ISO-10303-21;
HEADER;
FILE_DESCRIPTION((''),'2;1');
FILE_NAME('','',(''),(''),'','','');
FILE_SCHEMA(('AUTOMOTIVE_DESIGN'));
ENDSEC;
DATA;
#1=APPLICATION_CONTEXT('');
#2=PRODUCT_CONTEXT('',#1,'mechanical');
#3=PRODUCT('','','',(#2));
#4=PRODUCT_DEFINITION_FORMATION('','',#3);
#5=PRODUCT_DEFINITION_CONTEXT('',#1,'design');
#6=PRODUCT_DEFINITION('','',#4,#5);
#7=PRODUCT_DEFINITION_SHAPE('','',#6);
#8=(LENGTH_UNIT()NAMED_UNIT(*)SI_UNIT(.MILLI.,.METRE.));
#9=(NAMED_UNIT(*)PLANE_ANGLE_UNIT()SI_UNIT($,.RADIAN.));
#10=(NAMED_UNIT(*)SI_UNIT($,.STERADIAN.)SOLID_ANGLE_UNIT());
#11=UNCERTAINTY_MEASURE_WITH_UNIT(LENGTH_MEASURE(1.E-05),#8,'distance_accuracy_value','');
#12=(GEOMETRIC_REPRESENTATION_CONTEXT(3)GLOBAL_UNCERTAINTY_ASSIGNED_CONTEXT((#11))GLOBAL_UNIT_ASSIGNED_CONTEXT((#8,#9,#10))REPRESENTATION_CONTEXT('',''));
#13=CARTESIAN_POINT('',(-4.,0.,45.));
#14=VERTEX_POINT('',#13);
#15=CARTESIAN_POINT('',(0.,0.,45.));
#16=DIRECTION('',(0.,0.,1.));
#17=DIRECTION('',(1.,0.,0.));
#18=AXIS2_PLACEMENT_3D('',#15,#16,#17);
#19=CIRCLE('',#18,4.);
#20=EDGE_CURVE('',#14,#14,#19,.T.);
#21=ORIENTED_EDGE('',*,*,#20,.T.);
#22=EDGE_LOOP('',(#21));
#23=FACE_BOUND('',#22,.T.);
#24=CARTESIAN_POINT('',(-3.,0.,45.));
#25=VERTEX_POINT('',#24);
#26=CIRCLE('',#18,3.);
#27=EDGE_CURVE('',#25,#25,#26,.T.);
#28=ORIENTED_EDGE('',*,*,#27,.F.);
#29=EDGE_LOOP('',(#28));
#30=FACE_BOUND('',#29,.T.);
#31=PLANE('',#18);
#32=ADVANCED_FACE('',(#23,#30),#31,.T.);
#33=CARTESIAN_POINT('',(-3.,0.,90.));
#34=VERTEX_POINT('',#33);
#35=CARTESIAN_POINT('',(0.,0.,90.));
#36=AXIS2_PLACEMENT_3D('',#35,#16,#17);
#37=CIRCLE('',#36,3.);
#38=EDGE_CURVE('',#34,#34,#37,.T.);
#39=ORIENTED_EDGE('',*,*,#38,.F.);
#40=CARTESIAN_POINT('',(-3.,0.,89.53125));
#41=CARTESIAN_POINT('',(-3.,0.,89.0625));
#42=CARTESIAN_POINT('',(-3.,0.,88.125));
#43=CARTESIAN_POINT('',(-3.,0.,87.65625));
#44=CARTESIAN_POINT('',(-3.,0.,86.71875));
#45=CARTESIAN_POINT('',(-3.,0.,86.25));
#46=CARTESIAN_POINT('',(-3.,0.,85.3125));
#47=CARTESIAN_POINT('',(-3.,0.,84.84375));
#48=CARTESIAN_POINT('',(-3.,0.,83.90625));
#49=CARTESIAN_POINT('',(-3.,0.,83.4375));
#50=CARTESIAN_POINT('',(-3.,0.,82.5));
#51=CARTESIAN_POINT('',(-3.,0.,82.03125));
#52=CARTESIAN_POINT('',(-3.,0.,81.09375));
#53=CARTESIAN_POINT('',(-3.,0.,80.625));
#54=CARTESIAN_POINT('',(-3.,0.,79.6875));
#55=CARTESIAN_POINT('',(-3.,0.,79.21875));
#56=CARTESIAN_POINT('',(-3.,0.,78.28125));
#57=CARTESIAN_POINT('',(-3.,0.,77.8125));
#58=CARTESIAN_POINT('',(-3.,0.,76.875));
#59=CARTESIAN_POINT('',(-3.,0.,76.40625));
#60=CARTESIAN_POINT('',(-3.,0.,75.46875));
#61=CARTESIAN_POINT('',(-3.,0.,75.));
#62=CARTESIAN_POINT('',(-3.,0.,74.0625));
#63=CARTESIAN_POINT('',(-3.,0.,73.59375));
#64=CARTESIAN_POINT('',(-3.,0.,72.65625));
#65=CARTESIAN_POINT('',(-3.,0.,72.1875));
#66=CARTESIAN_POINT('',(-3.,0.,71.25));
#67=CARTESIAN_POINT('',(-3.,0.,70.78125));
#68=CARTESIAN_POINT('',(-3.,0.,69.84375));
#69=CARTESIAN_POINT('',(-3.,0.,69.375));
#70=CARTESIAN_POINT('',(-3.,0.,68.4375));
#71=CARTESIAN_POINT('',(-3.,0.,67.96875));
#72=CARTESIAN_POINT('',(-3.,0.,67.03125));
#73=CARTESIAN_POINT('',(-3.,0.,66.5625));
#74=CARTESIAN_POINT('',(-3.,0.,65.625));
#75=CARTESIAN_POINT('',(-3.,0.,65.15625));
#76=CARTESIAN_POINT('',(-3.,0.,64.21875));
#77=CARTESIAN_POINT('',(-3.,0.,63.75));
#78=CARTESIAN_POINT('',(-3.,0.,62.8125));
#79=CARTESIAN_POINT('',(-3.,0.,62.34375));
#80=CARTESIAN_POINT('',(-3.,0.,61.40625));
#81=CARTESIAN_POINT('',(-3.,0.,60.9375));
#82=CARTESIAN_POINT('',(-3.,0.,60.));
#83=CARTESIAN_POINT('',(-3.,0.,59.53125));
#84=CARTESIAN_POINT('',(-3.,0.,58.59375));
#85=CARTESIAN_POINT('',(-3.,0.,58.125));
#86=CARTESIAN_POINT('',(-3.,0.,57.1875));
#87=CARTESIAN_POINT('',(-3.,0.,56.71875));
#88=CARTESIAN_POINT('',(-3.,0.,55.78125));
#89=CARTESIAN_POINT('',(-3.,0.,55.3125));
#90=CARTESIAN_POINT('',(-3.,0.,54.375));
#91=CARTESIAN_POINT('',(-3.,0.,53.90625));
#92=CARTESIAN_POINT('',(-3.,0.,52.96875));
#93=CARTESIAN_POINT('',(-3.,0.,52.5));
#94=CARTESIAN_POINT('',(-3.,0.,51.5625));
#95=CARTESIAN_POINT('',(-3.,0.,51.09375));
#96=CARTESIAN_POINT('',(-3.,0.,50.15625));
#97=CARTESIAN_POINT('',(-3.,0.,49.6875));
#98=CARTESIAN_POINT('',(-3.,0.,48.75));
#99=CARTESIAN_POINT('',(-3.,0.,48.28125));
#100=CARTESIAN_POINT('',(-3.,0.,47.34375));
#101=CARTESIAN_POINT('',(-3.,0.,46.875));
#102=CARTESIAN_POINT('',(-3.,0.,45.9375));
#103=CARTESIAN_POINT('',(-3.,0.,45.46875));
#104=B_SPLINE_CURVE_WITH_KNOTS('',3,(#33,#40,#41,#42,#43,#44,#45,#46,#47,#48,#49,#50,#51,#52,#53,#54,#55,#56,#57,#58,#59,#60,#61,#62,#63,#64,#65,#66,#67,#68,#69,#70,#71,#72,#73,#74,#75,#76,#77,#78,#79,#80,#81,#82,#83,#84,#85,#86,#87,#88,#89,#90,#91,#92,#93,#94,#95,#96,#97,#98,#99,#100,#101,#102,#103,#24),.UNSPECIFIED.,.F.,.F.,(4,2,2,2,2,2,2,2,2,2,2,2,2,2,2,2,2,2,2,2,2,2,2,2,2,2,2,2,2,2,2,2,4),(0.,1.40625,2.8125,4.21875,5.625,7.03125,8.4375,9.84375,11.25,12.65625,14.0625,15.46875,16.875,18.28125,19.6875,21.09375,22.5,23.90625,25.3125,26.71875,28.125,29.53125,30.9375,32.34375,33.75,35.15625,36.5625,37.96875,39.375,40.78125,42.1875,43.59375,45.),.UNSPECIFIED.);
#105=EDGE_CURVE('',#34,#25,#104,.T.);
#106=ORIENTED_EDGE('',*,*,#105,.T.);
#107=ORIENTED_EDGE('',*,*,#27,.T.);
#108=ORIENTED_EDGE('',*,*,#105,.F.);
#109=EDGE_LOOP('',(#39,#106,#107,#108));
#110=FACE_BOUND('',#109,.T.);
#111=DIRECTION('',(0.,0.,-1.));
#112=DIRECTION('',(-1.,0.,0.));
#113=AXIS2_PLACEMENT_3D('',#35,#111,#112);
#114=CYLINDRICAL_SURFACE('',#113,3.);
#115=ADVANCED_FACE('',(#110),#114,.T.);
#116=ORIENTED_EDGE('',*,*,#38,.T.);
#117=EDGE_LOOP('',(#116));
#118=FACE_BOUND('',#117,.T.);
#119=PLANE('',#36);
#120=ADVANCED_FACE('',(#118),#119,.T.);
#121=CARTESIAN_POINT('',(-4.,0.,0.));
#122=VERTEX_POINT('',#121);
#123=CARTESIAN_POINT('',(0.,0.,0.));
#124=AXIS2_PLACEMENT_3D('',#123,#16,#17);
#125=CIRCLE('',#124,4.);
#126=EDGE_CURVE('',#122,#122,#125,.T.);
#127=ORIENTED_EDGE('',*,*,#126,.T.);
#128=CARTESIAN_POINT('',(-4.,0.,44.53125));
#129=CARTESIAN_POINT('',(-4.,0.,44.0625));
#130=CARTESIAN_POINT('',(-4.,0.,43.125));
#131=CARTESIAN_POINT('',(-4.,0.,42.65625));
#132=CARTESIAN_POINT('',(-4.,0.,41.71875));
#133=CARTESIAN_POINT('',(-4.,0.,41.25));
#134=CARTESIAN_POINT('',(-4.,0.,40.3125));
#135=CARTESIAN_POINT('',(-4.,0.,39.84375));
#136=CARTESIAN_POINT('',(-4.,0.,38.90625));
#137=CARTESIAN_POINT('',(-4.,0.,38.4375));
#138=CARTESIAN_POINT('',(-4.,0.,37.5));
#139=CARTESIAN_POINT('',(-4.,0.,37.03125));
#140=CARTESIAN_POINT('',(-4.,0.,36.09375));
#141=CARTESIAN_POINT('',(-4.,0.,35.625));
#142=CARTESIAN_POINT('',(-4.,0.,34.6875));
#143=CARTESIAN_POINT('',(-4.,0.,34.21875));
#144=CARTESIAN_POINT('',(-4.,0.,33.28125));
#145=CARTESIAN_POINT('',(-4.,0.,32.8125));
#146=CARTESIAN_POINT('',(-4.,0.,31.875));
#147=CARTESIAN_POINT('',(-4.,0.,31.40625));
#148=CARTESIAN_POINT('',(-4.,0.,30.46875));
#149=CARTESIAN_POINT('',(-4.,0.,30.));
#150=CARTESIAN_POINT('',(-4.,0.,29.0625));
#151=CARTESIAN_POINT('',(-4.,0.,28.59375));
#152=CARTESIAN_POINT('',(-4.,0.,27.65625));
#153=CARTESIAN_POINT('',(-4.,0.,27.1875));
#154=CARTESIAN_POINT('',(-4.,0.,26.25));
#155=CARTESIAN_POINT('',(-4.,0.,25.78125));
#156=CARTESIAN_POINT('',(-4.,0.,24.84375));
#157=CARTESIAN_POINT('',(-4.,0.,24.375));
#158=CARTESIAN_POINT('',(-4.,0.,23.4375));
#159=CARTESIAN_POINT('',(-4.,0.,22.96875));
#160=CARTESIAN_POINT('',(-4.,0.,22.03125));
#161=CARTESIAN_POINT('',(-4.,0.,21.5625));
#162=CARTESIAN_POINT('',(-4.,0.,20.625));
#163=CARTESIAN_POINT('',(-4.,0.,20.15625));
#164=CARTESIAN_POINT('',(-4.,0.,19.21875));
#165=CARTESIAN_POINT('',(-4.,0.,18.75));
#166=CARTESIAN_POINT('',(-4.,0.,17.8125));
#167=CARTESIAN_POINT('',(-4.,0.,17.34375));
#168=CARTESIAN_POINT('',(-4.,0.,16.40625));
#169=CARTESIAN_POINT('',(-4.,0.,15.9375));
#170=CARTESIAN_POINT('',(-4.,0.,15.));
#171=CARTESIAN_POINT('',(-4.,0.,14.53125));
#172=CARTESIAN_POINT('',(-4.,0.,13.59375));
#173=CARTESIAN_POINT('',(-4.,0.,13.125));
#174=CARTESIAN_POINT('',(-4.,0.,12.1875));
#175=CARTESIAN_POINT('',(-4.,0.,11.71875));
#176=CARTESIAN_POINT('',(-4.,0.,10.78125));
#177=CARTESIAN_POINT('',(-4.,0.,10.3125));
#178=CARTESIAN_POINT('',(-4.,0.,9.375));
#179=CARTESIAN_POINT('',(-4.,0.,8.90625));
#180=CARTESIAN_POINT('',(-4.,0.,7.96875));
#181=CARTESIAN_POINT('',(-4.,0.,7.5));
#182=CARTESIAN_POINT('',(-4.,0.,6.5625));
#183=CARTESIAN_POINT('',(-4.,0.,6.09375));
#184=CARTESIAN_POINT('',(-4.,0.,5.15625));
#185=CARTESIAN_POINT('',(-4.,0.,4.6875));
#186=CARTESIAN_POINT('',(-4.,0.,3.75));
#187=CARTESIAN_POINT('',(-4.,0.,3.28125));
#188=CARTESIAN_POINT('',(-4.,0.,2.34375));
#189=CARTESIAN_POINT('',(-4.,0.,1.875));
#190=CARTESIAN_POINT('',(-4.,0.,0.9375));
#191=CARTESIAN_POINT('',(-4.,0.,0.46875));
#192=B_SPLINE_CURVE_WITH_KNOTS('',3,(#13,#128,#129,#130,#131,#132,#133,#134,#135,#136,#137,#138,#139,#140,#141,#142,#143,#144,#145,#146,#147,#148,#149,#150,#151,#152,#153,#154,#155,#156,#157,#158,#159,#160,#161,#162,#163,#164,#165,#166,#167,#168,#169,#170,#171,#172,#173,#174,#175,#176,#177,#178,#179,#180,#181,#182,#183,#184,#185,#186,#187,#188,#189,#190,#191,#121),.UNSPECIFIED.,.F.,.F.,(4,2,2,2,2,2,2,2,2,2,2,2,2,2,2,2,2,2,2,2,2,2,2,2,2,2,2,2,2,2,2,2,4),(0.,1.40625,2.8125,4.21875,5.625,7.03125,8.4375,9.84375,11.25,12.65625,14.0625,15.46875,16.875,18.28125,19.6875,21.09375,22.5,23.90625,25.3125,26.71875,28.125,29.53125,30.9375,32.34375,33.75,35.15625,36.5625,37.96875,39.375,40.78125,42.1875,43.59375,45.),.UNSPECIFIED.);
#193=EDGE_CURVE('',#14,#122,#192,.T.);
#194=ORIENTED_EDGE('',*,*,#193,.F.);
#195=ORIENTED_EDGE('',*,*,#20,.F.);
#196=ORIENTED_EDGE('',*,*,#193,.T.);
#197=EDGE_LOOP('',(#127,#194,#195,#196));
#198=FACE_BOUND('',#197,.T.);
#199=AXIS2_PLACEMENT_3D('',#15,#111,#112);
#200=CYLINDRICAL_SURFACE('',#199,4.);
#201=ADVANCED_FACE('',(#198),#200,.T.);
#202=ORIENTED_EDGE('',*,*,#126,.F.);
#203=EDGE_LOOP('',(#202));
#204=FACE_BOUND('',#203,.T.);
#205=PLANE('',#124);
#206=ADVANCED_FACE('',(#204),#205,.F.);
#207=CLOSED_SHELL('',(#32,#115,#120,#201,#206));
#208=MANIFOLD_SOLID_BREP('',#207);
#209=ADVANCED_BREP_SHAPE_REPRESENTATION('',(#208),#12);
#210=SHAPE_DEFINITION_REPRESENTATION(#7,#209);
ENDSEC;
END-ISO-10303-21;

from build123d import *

# Parameters (mm, degrees)
SKETCH1_R           = 4
BOSS_EXTRUDE1_DEPTH = 45
SKETCH2_R           = 3
BOSS_EXTRUDE2_DEPTH = 45


with BuildPart() as part:
    # Sketch1 → Boss-Extrude1 (new body)
    with BuildSketch(Plane.XY):
        with Locations(Location((0, 0, 0), (0, 0, 180))):
            Circle(SKETCH1_R)
    extrude(amount=BOSS_EXTRUDE1_DEPTH)

    # Sketch2 → Boss-Extrude2 (add)
    with BuildSketch(Plane.XY.offset(45)):
        with Locations(Location((0, 0, 0), (0, 0, 180))):
            Circle(SKETCH2_R)
    extrude(amount=BOSS_EXTRUDE2_DEPTH)


solid = part.part
